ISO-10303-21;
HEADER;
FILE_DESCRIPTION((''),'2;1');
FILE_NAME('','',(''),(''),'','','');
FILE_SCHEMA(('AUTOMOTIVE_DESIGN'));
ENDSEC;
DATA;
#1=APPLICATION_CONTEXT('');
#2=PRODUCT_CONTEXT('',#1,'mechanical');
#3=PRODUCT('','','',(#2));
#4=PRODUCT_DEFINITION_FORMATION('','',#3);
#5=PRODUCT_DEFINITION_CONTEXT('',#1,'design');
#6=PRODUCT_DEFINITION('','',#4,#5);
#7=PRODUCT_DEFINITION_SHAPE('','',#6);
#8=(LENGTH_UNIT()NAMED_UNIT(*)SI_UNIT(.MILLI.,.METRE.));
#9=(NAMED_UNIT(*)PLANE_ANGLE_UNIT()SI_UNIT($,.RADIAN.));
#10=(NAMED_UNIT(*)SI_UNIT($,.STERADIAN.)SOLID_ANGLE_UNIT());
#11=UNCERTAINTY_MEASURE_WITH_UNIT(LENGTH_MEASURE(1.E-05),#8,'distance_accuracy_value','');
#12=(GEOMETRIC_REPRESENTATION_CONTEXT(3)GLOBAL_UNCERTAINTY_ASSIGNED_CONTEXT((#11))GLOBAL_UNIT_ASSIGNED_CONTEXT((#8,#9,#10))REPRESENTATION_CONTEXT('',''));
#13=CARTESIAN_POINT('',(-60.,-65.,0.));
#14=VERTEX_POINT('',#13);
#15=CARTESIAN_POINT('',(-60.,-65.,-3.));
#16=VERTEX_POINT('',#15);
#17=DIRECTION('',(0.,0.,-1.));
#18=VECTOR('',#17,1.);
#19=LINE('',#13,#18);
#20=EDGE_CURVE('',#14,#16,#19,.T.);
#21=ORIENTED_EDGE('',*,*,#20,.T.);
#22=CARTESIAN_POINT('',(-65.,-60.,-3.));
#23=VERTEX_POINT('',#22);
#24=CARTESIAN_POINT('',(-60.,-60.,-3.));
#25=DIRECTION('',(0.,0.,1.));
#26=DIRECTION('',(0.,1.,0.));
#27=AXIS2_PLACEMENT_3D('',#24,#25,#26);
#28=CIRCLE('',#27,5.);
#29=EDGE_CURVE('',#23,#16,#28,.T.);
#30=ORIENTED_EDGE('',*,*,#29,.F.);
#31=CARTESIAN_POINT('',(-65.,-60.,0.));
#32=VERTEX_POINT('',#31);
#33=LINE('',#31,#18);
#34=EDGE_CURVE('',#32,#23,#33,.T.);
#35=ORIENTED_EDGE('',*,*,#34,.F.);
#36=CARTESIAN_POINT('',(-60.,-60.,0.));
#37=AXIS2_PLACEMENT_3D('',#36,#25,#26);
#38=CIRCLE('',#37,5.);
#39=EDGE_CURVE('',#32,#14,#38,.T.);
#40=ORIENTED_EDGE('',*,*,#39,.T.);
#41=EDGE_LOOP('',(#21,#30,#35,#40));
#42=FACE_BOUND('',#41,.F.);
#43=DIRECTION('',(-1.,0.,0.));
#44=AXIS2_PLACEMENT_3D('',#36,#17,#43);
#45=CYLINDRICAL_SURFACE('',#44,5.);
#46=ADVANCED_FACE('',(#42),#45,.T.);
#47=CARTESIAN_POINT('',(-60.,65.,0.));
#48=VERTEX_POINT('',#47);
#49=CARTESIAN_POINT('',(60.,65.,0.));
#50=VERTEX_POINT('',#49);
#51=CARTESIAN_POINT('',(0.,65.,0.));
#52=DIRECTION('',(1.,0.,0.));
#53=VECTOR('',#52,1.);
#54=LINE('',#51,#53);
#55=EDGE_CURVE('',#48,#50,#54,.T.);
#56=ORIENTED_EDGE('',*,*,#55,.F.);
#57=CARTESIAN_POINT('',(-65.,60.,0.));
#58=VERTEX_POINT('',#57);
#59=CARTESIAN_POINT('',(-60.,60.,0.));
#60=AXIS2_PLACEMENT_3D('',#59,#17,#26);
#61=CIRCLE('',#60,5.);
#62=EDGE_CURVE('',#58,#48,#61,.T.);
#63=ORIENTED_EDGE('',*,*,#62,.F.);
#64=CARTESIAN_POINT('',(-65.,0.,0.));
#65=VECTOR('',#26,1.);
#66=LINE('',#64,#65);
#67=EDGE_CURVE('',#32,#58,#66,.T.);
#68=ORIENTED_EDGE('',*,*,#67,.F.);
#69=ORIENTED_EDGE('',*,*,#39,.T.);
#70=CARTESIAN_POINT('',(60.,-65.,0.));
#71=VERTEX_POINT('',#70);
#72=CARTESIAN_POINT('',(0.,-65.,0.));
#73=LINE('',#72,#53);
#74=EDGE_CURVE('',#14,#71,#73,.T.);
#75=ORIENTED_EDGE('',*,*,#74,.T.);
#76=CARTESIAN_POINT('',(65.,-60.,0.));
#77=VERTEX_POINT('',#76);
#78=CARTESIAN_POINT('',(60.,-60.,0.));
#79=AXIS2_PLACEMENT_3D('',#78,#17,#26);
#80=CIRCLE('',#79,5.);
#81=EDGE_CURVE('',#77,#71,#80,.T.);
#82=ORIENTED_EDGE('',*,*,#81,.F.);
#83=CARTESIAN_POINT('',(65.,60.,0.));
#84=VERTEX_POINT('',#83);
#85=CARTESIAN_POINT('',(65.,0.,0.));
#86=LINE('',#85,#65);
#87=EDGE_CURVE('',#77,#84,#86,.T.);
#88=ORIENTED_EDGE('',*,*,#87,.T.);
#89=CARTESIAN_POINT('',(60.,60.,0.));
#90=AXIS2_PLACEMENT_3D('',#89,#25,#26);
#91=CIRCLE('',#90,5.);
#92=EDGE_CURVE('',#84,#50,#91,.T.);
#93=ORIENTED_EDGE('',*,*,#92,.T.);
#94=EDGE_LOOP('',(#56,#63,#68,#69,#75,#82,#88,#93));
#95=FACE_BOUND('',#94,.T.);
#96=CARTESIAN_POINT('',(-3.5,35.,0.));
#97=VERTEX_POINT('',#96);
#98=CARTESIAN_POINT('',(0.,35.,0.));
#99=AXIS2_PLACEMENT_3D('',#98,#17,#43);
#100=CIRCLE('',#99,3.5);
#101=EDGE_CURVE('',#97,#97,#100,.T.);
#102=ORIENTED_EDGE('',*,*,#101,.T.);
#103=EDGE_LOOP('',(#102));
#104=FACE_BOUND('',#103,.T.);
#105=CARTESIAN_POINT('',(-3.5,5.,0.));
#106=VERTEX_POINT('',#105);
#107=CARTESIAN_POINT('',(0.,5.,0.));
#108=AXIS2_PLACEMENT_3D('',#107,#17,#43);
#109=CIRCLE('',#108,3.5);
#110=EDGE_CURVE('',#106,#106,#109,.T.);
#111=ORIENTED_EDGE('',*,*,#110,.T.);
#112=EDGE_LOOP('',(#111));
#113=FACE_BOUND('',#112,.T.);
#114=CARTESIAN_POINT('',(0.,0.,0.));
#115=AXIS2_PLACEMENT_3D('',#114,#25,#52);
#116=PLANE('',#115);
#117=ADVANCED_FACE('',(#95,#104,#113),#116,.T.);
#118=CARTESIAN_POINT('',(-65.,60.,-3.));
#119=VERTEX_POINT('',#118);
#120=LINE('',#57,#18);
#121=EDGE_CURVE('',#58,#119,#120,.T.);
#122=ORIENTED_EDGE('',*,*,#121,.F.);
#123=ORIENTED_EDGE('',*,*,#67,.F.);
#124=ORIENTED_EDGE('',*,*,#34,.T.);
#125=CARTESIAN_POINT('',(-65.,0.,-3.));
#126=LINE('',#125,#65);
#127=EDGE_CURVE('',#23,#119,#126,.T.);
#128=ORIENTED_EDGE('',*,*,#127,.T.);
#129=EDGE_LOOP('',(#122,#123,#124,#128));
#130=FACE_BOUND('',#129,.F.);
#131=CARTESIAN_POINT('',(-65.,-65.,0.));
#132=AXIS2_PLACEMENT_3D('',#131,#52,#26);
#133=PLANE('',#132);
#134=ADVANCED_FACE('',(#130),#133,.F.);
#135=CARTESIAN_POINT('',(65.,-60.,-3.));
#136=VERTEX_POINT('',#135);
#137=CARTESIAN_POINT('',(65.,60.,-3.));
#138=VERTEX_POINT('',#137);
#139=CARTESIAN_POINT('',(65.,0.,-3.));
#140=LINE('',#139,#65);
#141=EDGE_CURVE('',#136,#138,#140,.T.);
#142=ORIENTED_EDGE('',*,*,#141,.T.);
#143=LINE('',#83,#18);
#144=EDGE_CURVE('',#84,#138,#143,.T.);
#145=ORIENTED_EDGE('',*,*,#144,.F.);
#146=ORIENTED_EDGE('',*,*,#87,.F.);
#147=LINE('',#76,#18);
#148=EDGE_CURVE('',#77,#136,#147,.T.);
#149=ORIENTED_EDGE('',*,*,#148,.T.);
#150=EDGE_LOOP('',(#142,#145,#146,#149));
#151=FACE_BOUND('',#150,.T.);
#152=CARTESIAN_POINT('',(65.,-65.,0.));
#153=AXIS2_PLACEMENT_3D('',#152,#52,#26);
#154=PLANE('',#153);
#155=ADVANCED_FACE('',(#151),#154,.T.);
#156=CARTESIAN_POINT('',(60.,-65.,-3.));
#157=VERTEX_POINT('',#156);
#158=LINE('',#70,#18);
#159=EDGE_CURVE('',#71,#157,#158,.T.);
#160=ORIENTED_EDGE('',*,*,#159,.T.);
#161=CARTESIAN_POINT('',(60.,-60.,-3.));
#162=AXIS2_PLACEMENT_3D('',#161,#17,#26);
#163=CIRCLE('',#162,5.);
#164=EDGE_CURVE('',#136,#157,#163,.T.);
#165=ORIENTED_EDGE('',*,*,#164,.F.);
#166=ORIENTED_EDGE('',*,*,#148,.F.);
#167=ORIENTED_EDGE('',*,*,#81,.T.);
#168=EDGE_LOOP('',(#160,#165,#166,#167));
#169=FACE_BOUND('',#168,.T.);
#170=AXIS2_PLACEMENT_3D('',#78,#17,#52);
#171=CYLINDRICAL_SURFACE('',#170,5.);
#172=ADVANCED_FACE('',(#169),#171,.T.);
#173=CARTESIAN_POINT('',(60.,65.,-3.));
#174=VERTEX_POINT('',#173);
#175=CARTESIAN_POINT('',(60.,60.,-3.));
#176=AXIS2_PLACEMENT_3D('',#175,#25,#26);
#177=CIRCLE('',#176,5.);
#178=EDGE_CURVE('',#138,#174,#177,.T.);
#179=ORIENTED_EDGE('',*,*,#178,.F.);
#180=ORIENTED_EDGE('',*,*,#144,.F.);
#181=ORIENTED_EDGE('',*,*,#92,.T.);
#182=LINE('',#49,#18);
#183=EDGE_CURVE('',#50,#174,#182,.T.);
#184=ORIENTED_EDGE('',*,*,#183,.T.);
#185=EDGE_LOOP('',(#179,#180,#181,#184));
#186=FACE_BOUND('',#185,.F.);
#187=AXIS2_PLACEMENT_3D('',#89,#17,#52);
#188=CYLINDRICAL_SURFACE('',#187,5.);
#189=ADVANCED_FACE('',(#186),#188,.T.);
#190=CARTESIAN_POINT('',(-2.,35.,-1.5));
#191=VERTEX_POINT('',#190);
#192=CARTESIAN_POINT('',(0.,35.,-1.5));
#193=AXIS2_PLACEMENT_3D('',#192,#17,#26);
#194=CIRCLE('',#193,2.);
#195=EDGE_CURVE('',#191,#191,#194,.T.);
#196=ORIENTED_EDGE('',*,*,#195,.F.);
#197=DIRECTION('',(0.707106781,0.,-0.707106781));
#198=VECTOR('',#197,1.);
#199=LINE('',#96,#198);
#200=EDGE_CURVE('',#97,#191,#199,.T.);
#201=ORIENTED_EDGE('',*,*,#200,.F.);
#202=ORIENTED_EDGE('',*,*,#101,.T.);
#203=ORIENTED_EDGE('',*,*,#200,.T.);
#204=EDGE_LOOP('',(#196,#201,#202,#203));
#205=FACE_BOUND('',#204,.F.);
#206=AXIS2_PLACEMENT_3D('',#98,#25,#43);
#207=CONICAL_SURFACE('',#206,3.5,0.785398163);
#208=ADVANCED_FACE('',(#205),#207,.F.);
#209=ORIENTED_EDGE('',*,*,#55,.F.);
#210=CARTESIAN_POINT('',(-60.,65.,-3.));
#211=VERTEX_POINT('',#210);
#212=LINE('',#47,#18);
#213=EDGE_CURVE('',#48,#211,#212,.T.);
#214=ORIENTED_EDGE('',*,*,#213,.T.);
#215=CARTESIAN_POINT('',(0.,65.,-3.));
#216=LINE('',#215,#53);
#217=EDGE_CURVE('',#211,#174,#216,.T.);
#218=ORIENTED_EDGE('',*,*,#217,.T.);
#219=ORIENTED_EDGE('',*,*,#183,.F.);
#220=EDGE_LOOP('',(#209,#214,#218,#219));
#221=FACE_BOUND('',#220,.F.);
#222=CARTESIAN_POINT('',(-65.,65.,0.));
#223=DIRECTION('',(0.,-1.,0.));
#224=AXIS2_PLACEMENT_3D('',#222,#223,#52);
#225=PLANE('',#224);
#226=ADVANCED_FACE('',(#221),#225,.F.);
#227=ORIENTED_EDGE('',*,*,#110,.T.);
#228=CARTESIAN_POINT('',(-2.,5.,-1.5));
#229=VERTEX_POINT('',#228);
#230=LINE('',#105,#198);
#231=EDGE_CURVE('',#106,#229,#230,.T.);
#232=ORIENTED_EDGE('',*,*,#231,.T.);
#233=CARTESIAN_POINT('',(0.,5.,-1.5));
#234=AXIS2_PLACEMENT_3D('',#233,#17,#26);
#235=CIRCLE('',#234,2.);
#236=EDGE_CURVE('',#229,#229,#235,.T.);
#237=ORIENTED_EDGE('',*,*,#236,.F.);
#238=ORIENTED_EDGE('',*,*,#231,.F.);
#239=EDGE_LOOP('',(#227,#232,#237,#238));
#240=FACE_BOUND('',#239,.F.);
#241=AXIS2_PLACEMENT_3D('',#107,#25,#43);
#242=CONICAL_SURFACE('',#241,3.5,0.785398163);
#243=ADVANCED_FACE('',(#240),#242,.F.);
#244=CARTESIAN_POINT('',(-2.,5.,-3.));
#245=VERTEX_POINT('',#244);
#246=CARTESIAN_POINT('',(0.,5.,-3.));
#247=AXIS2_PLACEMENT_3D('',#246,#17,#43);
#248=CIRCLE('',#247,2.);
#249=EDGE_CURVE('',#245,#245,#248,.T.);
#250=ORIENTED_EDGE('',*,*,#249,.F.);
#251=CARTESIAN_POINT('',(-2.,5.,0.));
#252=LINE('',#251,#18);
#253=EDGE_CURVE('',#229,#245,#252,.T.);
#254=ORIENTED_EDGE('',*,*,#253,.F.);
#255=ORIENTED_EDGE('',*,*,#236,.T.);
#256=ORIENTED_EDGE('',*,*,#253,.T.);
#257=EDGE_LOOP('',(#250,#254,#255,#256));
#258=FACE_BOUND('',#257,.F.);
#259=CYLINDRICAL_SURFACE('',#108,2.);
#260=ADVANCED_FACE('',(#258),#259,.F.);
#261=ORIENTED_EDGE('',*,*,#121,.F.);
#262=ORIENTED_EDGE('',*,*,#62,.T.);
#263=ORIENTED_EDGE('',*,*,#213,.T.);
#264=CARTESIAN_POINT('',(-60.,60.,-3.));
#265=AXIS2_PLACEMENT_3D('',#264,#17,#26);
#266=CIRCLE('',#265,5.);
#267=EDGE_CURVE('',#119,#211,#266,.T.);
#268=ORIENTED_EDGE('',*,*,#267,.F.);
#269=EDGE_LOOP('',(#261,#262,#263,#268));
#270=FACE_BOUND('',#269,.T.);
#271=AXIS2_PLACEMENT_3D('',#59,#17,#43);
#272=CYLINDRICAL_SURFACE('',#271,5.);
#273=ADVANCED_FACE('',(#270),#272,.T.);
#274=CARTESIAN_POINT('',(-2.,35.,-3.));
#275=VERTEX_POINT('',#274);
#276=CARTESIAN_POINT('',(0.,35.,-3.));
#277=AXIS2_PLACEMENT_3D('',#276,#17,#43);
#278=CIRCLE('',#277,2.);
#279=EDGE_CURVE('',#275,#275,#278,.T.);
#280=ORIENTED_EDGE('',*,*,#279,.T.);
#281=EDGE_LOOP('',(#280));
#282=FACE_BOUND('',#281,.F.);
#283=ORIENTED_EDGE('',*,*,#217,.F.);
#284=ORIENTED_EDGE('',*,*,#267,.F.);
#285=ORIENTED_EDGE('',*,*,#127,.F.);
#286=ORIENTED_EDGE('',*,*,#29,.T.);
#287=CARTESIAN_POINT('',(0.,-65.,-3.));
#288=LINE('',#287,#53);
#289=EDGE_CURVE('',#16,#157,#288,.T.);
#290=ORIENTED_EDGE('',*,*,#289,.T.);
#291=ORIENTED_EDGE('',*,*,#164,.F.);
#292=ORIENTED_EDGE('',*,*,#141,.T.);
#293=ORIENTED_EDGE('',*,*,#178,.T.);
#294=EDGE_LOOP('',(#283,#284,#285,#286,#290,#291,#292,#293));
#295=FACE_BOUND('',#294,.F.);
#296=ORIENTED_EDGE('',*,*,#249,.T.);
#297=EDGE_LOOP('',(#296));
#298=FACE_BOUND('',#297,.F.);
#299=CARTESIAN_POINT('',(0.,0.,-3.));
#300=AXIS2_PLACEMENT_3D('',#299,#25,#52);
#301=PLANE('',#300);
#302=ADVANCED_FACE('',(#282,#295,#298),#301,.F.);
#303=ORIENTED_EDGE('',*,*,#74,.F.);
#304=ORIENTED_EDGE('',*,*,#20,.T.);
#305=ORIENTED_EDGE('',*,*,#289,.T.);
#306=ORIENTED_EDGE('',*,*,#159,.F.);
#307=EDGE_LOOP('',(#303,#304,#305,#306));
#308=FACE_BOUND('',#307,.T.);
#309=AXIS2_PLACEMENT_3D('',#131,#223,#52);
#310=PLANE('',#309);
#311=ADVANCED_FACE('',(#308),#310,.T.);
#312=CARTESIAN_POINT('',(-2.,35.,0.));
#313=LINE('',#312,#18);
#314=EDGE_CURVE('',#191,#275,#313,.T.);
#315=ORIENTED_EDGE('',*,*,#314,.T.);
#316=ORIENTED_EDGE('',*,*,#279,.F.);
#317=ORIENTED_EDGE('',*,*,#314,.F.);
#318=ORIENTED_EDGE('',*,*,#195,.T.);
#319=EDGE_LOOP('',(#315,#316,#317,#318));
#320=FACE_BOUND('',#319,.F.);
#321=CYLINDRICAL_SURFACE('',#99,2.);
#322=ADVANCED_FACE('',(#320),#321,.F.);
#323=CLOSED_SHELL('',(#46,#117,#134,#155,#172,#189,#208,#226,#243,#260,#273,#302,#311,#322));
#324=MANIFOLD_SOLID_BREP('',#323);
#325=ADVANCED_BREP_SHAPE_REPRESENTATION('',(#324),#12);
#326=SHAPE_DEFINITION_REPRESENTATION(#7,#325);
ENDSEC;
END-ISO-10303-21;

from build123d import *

# Parameters (mm, degrees)
F0_W           = 130
F0_H           = 130
F1_DEPTH       = 3
F2_D           = 4
F2_CSINK_D     = 7
F2_CSINK_ANGLE = 90
F3_R           = 5


with BuildPart() as f1:
    # F0 (on Top) → F1 (new body)
    with BuildSketch(Plane.XY):
        Rectangle(F0_W, F0_H)
    extrude(amount=-F1_DEPTH)

    # F2 (through all)
    with Locations(Plane.XY):
        with Locations((0, 35), (0, 5)):
            CounterSinkHole(F2_D / 2, F2_CSINK_D / 2, counter_sink_angle=F2_CSINK_ANGLE)

    # F3
    f3_edges = [f1.edges().sort_by_distance(p)[0] for p in [
        (-65, 65, -1.5),
        (65, 65, -1.5),
        (65, -65, -1.5),
        (-65, -65, -1.5),
    ]]
    fillet(f3_edges, radius=F3_R)


solid = f1.part
